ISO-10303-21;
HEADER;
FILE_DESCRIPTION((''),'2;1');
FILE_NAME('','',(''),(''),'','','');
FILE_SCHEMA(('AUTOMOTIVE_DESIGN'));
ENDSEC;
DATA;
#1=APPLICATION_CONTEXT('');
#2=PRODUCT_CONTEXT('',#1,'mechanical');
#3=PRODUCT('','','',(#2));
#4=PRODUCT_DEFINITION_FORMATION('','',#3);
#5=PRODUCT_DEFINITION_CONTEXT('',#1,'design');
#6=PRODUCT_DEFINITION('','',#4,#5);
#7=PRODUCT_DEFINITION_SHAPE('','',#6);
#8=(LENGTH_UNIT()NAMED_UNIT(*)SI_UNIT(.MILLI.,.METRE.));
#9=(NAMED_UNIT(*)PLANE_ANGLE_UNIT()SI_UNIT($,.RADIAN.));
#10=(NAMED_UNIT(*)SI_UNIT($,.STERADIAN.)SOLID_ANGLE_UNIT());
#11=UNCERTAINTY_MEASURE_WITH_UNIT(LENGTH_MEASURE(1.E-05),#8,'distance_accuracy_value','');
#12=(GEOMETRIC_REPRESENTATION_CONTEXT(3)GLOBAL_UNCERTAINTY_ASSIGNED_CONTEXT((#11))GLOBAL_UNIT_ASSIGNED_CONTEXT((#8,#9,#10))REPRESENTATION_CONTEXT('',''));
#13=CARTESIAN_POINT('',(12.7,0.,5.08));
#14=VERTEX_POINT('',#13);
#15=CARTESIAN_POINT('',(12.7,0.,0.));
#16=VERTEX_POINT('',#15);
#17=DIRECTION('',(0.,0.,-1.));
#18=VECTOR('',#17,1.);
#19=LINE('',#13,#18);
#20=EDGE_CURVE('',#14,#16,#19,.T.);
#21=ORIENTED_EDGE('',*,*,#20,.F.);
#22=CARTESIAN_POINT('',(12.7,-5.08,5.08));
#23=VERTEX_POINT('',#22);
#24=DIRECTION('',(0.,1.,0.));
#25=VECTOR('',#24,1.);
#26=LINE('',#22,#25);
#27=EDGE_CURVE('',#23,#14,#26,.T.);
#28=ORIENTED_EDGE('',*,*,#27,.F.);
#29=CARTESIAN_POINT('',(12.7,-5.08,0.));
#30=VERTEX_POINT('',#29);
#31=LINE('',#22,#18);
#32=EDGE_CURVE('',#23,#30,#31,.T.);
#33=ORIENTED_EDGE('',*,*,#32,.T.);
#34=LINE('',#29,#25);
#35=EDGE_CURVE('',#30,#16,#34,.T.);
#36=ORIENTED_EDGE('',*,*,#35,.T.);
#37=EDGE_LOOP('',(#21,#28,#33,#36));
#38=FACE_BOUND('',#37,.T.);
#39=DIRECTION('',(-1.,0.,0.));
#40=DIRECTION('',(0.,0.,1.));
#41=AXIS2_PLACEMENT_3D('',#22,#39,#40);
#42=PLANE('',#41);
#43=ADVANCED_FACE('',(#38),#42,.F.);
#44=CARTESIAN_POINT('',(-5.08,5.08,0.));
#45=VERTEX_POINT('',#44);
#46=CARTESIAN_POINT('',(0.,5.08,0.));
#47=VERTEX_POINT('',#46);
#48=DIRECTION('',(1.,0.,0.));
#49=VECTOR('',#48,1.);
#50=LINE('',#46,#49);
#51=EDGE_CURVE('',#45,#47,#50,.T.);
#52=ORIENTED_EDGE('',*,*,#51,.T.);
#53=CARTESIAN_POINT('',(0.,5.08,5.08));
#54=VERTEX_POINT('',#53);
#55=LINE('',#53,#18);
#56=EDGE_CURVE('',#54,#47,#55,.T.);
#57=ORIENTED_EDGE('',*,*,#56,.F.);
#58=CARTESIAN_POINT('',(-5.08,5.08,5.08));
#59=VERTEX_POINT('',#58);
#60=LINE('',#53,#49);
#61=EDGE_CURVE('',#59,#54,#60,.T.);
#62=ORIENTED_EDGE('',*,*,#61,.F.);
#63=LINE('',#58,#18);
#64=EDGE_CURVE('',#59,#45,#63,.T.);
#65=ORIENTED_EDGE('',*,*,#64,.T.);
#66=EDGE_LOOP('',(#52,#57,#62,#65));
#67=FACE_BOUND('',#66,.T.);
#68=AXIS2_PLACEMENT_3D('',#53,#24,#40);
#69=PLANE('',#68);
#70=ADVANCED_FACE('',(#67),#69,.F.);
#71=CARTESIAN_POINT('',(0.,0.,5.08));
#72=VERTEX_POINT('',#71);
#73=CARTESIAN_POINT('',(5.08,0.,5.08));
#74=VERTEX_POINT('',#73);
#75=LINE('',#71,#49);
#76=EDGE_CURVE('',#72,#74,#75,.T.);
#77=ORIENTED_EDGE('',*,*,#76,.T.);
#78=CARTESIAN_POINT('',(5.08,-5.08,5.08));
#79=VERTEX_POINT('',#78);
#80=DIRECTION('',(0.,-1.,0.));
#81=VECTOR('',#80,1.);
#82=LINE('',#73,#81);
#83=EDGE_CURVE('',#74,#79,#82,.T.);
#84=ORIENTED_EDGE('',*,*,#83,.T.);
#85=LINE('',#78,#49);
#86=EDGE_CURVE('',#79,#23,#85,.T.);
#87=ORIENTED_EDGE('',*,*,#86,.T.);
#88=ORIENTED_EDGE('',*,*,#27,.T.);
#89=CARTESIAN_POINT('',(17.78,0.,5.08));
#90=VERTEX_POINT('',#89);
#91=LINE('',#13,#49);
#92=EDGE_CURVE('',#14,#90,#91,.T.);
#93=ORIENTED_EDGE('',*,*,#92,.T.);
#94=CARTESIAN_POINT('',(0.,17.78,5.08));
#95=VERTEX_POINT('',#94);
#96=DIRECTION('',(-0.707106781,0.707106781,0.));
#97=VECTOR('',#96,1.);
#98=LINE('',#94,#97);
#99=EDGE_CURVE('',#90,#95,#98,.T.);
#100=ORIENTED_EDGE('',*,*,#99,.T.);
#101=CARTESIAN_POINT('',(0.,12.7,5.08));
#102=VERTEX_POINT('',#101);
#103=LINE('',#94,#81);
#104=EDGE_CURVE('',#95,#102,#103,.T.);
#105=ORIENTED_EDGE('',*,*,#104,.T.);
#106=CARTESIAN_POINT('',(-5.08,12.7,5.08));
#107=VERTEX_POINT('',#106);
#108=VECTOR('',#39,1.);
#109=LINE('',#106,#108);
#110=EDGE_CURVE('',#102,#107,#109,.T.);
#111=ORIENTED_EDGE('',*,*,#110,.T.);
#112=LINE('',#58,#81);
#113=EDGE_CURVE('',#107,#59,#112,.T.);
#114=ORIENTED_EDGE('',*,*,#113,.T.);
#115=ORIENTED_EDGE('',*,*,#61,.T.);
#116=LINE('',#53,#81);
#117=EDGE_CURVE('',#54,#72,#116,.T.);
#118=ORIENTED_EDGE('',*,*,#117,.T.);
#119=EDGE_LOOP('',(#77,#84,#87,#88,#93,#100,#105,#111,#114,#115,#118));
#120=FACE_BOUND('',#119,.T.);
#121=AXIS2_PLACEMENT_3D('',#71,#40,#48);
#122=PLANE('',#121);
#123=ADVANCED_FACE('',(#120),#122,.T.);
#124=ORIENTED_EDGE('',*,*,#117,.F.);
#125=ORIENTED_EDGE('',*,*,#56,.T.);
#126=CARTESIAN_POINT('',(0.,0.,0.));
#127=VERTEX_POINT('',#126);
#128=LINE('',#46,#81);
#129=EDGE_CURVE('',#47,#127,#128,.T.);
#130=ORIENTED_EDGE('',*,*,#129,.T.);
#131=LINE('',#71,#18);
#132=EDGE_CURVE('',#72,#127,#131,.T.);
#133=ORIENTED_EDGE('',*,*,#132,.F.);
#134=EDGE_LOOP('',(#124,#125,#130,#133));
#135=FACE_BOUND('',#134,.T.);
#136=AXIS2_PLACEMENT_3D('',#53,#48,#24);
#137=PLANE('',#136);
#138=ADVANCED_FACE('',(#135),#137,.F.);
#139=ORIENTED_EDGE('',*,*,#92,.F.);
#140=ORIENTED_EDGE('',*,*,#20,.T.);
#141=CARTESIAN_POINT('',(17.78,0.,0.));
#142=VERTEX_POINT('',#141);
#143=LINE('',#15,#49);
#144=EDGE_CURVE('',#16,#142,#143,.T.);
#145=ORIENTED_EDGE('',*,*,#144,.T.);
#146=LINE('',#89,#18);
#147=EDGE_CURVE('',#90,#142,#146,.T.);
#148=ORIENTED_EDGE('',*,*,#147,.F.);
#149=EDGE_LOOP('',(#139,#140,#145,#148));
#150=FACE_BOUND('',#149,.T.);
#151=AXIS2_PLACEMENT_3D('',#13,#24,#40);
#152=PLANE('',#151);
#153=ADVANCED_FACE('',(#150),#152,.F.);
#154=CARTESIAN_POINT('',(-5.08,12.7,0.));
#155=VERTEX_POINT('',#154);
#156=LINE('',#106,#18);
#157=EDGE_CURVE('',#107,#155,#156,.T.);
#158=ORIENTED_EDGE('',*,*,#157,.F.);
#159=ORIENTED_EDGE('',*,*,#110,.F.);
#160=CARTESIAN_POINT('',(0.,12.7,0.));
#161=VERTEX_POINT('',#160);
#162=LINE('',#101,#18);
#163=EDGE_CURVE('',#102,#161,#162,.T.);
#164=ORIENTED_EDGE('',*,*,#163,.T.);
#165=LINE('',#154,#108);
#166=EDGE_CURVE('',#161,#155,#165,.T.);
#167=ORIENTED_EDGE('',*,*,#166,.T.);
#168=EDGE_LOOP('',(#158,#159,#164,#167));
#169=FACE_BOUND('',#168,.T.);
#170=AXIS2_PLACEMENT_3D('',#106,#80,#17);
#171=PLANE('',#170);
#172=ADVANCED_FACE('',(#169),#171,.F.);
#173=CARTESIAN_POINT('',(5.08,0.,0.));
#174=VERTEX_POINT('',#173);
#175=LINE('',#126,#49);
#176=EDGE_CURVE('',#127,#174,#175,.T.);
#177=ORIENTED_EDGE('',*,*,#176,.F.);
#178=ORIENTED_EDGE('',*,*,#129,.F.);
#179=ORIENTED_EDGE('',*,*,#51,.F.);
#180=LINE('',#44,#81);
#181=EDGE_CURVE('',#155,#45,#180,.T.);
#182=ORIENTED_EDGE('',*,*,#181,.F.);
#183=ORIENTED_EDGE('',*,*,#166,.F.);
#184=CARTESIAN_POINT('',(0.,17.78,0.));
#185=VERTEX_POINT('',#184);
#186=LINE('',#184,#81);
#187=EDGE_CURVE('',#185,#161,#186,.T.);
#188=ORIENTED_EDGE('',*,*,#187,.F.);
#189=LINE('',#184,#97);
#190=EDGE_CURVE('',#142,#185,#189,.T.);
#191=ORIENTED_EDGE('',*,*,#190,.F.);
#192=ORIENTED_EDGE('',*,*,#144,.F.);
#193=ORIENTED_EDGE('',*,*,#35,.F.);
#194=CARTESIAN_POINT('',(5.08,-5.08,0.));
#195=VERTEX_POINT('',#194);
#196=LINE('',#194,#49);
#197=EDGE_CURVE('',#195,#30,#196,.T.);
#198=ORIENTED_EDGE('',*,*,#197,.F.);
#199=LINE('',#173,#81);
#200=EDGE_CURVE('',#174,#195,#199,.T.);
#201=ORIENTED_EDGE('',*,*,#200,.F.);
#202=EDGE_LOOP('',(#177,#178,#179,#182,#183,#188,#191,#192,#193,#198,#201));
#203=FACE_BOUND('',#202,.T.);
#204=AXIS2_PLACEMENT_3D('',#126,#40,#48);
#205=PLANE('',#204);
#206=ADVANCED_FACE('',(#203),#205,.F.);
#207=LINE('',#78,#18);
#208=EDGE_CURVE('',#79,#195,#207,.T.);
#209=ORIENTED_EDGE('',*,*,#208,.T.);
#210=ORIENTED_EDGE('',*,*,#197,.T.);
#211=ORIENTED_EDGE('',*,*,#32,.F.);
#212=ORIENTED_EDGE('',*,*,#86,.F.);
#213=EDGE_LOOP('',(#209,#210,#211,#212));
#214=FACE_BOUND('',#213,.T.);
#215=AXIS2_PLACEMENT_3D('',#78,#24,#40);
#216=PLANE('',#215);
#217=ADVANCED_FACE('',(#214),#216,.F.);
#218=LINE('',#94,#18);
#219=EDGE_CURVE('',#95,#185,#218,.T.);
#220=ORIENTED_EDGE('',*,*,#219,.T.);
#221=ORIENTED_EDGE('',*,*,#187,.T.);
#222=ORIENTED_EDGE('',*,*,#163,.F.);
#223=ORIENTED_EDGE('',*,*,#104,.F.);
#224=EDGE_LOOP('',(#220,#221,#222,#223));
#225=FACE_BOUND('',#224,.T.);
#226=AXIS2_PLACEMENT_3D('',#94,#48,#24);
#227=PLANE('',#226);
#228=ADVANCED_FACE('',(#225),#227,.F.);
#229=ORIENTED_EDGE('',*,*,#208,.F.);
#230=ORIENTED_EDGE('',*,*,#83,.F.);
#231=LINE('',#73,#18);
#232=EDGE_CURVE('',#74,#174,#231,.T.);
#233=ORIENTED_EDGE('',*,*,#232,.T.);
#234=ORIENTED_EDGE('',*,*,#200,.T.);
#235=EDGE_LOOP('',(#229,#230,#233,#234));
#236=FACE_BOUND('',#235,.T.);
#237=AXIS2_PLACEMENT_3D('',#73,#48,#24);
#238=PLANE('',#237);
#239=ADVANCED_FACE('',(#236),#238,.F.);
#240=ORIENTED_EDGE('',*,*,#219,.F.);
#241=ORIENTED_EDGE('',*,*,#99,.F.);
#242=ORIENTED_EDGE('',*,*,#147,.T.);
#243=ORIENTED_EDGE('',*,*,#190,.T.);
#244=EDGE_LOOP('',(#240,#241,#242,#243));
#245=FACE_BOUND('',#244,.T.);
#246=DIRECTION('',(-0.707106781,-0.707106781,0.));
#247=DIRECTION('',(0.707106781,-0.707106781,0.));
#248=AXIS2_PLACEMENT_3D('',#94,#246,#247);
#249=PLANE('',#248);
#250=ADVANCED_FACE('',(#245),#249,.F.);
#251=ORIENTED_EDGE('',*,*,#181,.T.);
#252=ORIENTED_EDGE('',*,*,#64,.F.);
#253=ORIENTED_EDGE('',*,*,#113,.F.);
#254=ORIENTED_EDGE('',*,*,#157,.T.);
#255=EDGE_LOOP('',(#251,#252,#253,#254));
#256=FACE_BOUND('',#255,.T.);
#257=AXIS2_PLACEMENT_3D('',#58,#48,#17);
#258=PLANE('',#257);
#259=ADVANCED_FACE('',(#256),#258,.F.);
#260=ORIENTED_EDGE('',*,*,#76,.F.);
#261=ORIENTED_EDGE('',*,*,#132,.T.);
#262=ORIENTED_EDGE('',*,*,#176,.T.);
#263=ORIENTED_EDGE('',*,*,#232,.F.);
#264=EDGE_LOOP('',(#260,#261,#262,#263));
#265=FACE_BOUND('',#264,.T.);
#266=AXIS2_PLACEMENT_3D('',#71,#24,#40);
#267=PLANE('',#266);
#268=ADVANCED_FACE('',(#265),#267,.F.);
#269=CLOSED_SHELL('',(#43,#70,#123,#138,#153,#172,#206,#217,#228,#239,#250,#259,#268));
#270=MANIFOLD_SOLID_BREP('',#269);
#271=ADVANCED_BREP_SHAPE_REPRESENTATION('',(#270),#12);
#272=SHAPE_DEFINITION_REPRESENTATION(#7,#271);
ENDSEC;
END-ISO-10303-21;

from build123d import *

# Parameters (mm, degrees)
BOSS_EXTRUDE1_DEPTH = 5.08


with BuildPart() as part:
    # Sketch1 → Boss-Extrude1 (new body)
    with BuildSketch(Plane.XY):
        Polygon((0, 0), (5.08, 0), (5.08, -5.08), (12.7, -5.08), (12.7, 0), (17.78, 0), (0, 17.78), (0, 12.7), (-5.08, 12.7), (-5.08, 5.08), (0, 5.08), align=None)
    extrude(amount=BOSS_EXTRUDE1_DEPTH)


solid = part.part
